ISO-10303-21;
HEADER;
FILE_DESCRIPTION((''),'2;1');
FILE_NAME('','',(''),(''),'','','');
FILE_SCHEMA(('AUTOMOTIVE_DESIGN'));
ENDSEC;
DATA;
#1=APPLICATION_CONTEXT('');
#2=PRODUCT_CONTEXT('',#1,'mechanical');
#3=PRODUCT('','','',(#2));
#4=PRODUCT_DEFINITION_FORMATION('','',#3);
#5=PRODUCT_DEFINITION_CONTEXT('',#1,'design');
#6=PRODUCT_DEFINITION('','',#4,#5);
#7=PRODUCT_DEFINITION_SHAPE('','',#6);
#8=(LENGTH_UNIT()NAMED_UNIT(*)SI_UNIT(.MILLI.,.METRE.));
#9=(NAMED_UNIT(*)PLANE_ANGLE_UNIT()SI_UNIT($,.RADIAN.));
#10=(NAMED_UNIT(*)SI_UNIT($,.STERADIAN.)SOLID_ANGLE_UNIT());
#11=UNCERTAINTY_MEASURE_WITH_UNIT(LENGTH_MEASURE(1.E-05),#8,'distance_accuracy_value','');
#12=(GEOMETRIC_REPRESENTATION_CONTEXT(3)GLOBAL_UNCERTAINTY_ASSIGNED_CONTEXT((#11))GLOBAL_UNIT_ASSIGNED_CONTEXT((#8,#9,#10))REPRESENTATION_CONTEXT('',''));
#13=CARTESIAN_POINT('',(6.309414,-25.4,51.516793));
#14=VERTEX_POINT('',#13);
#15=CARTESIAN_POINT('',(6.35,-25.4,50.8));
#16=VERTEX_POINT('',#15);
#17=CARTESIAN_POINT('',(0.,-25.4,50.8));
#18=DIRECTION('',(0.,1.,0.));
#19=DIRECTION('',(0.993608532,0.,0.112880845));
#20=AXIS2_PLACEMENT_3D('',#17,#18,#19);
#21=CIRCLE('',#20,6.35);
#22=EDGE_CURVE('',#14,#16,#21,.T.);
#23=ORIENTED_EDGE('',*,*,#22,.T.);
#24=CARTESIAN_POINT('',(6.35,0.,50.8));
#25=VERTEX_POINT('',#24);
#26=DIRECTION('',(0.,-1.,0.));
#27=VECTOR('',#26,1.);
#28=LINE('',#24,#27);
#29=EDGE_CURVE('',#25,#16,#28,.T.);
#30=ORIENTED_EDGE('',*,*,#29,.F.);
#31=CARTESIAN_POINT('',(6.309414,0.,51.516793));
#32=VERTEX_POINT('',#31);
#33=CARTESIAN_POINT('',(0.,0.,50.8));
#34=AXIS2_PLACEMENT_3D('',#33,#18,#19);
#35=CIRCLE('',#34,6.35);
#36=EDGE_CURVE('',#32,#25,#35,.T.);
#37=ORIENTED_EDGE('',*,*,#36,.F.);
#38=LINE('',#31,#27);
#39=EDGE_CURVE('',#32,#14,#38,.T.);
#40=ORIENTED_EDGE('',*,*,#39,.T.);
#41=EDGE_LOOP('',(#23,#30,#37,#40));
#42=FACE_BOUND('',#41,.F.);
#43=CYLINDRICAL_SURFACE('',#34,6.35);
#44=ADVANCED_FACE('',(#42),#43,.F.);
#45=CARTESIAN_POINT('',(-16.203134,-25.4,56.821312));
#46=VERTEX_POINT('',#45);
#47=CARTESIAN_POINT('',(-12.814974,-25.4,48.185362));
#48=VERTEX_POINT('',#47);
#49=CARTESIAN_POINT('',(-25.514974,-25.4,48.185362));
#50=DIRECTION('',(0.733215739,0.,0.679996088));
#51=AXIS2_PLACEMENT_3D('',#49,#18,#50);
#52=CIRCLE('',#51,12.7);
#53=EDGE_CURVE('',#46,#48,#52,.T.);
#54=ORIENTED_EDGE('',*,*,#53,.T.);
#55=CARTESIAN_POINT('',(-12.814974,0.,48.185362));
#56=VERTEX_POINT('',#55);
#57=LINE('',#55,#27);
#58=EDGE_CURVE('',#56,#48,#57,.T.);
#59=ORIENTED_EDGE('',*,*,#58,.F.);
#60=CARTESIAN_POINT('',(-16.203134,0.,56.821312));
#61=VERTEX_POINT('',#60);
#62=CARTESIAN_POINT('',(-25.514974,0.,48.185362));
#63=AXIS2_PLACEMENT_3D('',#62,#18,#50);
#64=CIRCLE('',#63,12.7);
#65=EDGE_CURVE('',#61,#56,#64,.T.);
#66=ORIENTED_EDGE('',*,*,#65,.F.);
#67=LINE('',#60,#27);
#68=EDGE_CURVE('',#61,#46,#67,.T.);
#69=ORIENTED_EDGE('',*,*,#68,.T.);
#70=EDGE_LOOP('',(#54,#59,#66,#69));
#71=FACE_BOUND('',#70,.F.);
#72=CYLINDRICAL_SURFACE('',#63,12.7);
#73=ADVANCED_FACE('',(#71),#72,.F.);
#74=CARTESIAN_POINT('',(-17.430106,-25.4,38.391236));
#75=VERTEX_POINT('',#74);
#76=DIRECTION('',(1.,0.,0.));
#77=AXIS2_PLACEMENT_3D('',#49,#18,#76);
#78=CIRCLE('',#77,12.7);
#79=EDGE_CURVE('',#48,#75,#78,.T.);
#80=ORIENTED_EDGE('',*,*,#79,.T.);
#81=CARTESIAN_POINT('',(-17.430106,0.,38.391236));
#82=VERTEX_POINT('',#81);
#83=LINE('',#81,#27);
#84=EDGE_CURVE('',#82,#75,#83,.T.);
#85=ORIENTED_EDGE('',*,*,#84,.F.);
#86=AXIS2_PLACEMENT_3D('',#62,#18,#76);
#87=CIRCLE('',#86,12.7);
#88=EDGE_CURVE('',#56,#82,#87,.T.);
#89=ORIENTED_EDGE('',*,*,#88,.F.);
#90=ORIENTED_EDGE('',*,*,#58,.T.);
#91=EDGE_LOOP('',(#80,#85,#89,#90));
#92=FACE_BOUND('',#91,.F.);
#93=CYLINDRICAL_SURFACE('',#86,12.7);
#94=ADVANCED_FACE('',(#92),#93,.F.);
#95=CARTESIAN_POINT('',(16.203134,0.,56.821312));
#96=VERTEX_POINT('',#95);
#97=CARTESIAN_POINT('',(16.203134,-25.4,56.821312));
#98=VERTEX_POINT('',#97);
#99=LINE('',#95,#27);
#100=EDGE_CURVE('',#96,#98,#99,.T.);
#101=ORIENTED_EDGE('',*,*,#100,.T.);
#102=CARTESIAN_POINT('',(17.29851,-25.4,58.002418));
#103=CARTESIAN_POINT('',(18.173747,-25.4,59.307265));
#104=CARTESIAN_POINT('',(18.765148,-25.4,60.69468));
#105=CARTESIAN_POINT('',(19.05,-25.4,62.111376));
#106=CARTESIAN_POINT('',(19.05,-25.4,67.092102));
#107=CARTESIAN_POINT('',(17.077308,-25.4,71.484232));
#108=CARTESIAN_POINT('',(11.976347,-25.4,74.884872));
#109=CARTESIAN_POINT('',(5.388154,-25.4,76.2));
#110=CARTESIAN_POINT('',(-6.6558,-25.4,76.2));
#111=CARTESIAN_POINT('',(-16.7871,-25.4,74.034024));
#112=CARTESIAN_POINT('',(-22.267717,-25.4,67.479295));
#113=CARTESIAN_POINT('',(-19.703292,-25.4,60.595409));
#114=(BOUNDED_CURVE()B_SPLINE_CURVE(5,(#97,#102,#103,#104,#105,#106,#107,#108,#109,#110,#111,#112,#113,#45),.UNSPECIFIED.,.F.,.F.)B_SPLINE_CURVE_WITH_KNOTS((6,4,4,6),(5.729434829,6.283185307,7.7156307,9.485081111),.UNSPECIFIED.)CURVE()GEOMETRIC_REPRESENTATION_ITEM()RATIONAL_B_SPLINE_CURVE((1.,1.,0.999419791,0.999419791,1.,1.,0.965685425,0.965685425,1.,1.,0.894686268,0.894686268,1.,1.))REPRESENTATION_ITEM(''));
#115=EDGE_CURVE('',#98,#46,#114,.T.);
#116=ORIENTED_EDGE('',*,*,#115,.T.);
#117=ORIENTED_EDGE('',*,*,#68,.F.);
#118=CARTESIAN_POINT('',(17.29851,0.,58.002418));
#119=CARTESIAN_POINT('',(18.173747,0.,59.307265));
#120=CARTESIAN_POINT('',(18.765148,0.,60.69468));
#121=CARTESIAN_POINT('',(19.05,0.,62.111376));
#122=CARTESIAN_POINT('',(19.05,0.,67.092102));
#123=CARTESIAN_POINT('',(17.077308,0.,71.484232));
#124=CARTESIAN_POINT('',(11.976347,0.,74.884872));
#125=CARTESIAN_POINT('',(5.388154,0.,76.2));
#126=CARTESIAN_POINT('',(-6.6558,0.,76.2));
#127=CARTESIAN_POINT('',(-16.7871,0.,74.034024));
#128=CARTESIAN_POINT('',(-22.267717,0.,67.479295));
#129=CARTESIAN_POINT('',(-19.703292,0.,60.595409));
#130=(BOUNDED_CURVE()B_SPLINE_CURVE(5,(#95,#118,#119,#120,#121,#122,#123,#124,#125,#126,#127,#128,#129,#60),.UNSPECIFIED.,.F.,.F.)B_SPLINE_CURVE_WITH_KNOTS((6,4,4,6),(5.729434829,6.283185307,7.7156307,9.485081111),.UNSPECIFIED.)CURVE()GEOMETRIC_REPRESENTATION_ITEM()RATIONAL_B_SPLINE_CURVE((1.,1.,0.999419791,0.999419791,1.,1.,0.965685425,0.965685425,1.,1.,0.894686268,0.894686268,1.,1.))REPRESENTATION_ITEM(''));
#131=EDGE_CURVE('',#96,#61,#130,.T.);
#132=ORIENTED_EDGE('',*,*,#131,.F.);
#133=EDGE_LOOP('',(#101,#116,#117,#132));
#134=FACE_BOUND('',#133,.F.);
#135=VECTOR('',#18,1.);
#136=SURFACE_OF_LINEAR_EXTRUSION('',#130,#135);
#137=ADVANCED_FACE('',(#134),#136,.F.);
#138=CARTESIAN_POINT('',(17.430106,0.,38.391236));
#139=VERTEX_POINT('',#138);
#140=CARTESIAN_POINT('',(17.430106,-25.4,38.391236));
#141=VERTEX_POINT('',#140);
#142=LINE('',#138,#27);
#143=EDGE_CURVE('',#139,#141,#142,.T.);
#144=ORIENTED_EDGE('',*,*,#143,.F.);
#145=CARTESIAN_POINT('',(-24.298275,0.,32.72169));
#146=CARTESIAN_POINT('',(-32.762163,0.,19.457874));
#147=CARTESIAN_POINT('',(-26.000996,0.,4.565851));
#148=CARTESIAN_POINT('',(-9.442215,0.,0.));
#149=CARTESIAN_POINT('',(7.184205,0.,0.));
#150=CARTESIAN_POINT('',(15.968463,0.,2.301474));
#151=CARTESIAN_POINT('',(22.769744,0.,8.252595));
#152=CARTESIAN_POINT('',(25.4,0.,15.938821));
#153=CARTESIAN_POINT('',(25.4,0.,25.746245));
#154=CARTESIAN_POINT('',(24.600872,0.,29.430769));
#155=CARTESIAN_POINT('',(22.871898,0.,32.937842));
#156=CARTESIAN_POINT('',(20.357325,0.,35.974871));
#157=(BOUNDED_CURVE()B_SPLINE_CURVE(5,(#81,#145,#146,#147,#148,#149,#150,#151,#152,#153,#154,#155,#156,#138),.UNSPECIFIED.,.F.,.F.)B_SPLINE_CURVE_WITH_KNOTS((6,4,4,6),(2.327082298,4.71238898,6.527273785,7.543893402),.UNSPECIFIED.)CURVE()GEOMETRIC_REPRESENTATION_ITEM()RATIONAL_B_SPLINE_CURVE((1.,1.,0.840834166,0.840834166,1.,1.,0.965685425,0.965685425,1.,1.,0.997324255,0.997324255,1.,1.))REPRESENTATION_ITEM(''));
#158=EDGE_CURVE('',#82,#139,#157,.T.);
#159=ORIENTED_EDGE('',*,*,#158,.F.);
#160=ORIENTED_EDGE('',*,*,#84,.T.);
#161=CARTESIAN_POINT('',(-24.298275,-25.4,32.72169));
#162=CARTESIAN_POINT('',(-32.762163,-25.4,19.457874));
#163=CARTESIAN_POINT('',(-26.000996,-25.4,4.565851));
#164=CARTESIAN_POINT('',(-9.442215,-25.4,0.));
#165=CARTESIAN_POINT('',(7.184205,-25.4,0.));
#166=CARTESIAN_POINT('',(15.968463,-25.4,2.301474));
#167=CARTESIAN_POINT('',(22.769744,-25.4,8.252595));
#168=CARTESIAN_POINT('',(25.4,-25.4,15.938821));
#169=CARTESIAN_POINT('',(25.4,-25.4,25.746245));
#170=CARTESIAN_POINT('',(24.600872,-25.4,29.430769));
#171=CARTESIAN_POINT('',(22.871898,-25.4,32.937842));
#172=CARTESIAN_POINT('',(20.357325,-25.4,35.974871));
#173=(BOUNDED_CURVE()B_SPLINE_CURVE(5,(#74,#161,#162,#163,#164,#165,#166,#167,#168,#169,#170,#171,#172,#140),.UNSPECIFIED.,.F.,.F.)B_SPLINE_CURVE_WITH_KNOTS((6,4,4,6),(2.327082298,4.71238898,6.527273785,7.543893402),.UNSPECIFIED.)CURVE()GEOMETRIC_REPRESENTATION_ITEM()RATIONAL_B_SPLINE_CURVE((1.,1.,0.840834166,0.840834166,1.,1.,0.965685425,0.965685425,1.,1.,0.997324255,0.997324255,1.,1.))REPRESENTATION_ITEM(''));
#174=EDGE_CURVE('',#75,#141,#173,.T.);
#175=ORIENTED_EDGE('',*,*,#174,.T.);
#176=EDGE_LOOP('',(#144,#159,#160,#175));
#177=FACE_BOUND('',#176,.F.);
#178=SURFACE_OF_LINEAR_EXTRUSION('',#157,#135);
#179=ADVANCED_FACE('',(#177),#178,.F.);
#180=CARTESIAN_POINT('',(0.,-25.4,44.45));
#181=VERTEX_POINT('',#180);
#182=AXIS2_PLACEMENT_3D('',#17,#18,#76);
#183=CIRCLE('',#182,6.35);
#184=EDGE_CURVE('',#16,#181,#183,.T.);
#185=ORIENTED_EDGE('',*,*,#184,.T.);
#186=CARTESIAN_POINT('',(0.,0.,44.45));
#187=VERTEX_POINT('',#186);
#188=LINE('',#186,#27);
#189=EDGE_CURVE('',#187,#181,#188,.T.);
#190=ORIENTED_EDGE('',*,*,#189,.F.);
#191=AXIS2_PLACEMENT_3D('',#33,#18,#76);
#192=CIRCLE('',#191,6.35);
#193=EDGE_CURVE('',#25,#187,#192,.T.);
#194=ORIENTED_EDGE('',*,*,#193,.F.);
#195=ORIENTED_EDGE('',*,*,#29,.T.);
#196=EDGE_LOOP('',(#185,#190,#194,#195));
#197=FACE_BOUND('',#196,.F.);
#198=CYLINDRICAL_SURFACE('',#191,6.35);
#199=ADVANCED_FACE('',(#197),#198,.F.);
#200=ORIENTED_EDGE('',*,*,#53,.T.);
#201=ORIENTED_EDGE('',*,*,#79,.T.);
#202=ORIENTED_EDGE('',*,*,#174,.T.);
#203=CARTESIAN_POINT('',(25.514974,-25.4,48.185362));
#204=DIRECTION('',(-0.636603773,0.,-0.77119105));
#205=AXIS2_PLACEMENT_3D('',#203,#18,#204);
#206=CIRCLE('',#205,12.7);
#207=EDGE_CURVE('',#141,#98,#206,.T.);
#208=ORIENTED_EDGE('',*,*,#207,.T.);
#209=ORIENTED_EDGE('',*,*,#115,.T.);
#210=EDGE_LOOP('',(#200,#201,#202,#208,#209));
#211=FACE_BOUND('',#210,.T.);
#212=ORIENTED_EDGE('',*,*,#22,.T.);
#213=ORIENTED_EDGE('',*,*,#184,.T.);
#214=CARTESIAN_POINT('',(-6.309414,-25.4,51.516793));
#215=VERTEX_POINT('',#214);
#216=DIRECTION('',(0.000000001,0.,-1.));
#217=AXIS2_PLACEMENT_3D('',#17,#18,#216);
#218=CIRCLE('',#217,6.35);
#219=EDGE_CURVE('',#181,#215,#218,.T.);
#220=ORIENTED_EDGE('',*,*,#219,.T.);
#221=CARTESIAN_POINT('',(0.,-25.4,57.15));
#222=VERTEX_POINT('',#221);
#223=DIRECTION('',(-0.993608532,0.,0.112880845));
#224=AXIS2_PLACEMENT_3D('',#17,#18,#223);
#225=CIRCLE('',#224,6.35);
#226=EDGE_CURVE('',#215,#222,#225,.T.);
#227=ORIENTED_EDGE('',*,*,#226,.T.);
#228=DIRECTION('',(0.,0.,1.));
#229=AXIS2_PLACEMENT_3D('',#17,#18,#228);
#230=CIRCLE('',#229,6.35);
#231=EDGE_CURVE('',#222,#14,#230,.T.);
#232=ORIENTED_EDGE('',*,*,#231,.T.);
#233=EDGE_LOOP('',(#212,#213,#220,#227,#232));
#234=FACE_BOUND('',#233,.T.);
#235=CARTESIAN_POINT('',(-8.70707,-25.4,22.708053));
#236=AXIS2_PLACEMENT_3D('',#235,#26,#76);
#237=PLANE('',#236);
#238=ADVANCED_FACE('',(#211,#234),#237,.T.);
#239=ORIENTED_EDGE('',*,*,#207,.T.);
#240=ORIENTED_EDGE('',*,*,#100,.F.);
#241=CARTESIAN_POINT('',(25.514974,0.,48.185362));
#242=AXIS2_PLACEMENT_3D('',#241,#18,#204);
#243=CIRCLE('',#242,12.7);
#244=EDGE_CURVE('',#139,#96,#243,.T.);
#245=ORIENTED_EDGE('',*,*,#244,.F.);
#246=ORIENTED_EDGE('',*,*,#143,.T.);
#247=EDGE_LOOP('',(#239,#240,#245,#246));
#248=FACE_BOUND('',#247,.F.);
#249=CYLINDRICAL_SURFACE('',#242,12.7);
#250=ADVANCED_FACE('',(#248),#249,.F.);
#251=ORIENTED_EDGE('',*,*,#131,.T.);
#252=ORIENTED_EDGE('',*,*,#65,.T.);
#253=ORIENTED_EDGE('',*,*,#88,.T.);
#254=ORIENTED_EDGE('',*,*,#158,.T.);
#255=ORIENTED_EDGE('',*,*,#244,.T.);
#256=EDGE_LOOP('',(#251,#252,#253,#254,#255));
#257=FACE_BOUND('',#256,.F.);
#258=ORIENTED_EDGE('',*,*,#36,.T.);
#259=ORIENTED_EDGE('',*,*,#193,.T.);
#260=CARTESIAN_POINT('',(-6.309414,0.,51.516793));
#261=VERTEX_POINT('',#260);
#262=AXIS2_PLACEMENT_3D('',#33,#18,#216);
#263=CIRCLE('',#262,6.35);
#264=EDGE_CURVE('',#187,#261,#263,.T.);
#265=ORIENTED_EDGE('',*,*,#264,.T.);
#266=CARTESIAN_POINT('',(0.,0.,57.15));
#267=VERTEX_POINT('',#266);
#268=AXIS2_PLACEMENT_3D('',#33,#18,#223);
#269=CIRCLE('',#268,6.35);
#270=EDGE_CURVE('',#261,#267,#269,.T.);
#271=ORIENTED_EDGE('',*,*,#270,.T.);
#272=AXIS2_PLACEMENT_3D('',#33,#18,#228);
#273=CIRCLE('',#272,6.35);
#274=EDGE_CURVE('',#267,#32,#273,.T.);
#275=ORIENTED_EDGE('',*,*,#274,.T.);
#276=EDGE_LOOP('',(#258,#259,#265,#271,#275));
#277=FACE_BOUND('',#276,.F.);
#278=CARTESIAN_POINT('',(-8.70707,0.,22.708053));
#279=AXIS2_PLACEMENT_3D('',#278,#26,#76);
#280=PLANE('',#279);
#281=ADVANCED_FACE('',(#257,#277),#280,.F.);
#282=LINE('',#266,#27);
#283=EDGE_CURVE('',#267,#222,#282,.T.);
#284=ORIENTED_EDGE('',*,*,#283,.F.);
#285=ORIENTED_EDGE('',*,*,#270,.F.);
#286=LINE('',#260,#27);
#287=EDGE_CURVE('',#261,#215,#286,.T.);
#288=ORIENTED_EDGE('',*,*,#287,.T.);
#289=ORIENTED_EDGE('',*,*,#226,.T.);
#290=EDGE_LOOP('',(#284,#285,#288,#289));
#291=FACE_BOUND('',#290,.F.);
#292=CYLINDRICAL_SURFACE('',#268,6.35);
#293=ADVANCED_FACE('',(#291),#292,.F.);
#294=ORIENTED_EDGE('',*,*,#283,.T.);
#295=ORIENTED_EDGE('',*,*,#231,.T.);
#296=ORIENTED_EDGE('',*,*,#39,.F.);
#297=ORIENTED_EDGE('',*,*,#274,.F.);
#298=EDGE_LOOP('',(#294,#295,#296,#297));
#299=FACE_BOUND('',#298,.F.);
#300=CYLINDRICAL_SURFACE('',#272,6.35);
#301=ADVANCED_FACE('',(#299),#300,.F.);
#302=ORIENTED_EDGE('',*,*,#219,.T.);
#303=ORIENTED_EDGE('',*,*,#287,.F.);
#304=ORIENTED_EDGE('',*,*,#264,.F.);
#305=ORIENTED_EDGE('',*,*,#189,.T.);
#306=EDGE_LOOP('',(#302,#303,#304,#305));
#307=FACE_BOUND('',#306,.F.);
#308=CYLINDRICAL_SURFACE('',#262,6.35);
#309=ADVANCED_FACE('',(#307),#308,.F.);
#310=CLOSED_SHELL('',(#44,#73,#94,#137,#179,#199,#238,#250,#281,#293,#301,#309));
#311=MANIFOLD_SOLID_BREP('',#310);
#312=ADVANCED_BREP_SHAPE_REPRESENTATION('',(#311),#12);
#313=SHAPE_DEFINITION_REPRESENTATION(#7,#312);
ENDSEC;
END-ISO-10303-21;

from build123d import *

# Parameters (mm, degrees)
F1_DEPTH = 25.4


with BuildPart() as f1:
    # F0 (on Front) → F1 (new body)
    with BuildSketch(Plane.XZ):
        with BuildLine():
            add(Edge.make_bspline(
                [(-17.4301057979, 38.3912356384), (-63.9378061659, 0), (0, 0)],
                knots=[2.3270822976, 2.3270822976, 2.3270822976, 4.7123889804, 4.7123889804, 4.7123889804], degree=2, weights=[1, 0.3691952871, 1]))
            Line((0, 0), (0, 22.225))
            Line((0, 22.225), (0, 44.45))
            add(Edge.make_bspline(
                [(6.1e-09, 44.45), (-10.0904306626, 44.4500000021), (-17.4301057979, 38.3912356384)],
                knots=[1.5707963266, 1.5707963266, 1.5707963266, 2.3270822976, 2.3270822976, 2.3270822976], degree=2, weights=[1, 0.9293518386, 1]))
        make_face()
        with BuildLine():
            Line((0, 22.225), (0, 0))
            add(Edge.make_bspline(
                [(0, 0), (25.4, 0), (25.4, 22.225)],
                knots=[4.7123889804, 4.7123889804, 4.7123889804, 6.2831853072, 6.2831853072, 6.2831853072], degree=2, weights=[1, 0.7071067812, 1]))
            Line((25.4, 22.225), (0, 22.225))
        make_face()
        with BuildLine():
            Line((0, 44.45), (0, 22.225))
            Line((0, 22.225), (25.4, 22.225))
            add(Edge.make_bspline(
                [(25.4, 22.225), (25.4, 31.8122372628), (17.4301057632, 38.3912356671)],
                knots=[0, 0, 0, 0.8145103579, 0.8145103579, 0.8145103579], degree=2, weights=[1, 0.9182114779, 1]))
            add(Edge.make_bspline(
                [(17.4301057632, 38.3912356671), (10.0904306401, 44.4499999979), (6.1e-09, 44.45)],
                knots=[0.8145103579, 0.8145103579, 0.8145103579, 1.5707963266, 1.5707963266, 1.5707963266], degree=2, weights=[1, 0.929351839, 1]))
        make_face()
        with BuildLine():
            ThreePointArc((6.35, 50.8), (4.4901280627, 46.3098719416), (6.1e-09, 44.45))
            add(Edge.make_bspline(
                [(17.4301057632, 38.3912356671), (10.0904306401, 44.4499999979), (6.1e-09, 44.45)],
                knots=[0.8145103579, 0.8145103579, 0.8145103579, 1.5707963266, 1.5707963266, 1.5707963266], degree=2, weights=[1, 0.929351839, 1]))
            ThreePointArc((17.4301057632, 38.3912356671), (12.8430246575, 47.3417341312), (16.2031337793, 56.8213123135))
            add(Edge.make_bspline(
                [(6.309414178, 51.5167933668), (12.6623858711, 53.0034490361), (16.2031337793, 56.8213123135)],
                knots=[5.0499670647, 5.0499670647, 5.0499670647, 5.7294348287, 5.7294348287, 5.7294348287], degree=2, weights=[1, 0.9428433791, 1]))
            ThreePointArc((6.309414178, 51.5167933668), (6.3398454252, 51.1589707299), (6.35, 50.8))
        make_face()
        with BuildLine():
            ThreePointArc((-12.8149736791, 48.185362008), (-14.0265485892, 42.7718521526), (-17.4301057979, 38.3912356384))
            add(Edge.make_bspline(
                [(6.1e-09, 44.45), (-10.0904306626, 44.4500000021), (-17.4301057979, 38.3912356384)],
                knots=[1.5707963266, 1.5707963266, 1.5707963266, 2.3270822976, 2.3270822976, 2.3270822976], degree=2, weights=[1, 0.9293518386, 1]))
            ThreePointArc((6.1e-09, 44.45), (-4.7367783271, 46.5708829433), (-6.309414178, 51.5167933668))
            add(Edge.make_bspline(
                [(-16.2031337888, 56.8213123238), (-12.6623858807, 53.0034490383), (-6.309414178, 51.5167933668)],
                knots=[3.6953431311, 3.6953431311, 3.6953431311, 4.3748108961, 4.3748108961, 4.3748108961], degree=2, weights=[1, 0.9428433789, 1]))
            ThreePointArc((-16.2031337888, 56.8213123238), (-13.6923181693, 52.823768706), (-12.8149736791, 48.185362008))
        make_face()
        with BuildLine():
            add(Edge.make_bspline(
                [(6.309414178, 51.5167933668), (12.6623858711, 53.0034490361), (16.2031337793, 56.8213123135)],
                knots=[5.0499670647, 5.0499670647, 5.0499670647, 5.7294348287, 5.7294348287, 5.7294348287], degree=2, weights=[1, 0.9428433791, 1]))
            add(Edge.make_bspline(
                [(16.2031337793, 56.8213123135), (19.05, 59.8909875013), (19.05, 63.5)],
                knots=[5.7294348287, 5.7294348287, 5.7294348287, 6.2831853072, 6.2831853072, 6.2831853072], degree=2, weights=[1, 0.9619142903, 1]))
            Line((19.05, 63.5), (0, 63.5))
            Line((0, 63.5), (0, 57.15))
            ThreePointArc((0, 57.15), (4.2291170545, 55.5367783292), (6.309414178, 51.5167933668))
        make_face()
        with BuildLine():
            add(Edge.make_bspline(
                [(19.05, 63.5), (19.05, 76.2), (0, 76.2)],
                knots=[0, 0, 0, 1.5707963268, 1.5707963268, 1.5707963268], degree=2, weights=[1, 0.7071067812, 1]))
            Line((0, 76.2), (0, 63.5))
            Line((0, 63.5), (19.05, 63.5))
        make_face()
        with BuildLine():
            add(Edge.make_bspline(
                [(0, 76.2), (-34.1752408864, 76.2), (-16.2031337888, 56.8213123238)],
                knots=[1.5707963268, 1.5707963268, 1.5707963268, 3.6953431311, 3.6953431311, 3.6953431311], degree=2, weights=[1, 0.4868876054, 1]))
            add(Edge.make_bspline(
                [(-16.2031337888, 56.8213123238), (-12.6623858807, 53.0034490383), (-6.309414178, 51.5167933668)],
                knots=[3.6953431311, 3.6953431311, 3.6953431311, 4.3748108961, 4.3748108961, 4.3748108961], degree=2, weights=[1, 0.9428433789, 1]))
            ThreePointArc((-6.309414178, 51.5167933668), (-4.2291170545, 55.5367783292), (0, 57.15))
            Line((0, 57.15), (0, 63.5))
            Line((0, 63.5), (0, 76.2))
        make_face()
    extrude(amount=F1_DEPTH)


solid = f1.part
